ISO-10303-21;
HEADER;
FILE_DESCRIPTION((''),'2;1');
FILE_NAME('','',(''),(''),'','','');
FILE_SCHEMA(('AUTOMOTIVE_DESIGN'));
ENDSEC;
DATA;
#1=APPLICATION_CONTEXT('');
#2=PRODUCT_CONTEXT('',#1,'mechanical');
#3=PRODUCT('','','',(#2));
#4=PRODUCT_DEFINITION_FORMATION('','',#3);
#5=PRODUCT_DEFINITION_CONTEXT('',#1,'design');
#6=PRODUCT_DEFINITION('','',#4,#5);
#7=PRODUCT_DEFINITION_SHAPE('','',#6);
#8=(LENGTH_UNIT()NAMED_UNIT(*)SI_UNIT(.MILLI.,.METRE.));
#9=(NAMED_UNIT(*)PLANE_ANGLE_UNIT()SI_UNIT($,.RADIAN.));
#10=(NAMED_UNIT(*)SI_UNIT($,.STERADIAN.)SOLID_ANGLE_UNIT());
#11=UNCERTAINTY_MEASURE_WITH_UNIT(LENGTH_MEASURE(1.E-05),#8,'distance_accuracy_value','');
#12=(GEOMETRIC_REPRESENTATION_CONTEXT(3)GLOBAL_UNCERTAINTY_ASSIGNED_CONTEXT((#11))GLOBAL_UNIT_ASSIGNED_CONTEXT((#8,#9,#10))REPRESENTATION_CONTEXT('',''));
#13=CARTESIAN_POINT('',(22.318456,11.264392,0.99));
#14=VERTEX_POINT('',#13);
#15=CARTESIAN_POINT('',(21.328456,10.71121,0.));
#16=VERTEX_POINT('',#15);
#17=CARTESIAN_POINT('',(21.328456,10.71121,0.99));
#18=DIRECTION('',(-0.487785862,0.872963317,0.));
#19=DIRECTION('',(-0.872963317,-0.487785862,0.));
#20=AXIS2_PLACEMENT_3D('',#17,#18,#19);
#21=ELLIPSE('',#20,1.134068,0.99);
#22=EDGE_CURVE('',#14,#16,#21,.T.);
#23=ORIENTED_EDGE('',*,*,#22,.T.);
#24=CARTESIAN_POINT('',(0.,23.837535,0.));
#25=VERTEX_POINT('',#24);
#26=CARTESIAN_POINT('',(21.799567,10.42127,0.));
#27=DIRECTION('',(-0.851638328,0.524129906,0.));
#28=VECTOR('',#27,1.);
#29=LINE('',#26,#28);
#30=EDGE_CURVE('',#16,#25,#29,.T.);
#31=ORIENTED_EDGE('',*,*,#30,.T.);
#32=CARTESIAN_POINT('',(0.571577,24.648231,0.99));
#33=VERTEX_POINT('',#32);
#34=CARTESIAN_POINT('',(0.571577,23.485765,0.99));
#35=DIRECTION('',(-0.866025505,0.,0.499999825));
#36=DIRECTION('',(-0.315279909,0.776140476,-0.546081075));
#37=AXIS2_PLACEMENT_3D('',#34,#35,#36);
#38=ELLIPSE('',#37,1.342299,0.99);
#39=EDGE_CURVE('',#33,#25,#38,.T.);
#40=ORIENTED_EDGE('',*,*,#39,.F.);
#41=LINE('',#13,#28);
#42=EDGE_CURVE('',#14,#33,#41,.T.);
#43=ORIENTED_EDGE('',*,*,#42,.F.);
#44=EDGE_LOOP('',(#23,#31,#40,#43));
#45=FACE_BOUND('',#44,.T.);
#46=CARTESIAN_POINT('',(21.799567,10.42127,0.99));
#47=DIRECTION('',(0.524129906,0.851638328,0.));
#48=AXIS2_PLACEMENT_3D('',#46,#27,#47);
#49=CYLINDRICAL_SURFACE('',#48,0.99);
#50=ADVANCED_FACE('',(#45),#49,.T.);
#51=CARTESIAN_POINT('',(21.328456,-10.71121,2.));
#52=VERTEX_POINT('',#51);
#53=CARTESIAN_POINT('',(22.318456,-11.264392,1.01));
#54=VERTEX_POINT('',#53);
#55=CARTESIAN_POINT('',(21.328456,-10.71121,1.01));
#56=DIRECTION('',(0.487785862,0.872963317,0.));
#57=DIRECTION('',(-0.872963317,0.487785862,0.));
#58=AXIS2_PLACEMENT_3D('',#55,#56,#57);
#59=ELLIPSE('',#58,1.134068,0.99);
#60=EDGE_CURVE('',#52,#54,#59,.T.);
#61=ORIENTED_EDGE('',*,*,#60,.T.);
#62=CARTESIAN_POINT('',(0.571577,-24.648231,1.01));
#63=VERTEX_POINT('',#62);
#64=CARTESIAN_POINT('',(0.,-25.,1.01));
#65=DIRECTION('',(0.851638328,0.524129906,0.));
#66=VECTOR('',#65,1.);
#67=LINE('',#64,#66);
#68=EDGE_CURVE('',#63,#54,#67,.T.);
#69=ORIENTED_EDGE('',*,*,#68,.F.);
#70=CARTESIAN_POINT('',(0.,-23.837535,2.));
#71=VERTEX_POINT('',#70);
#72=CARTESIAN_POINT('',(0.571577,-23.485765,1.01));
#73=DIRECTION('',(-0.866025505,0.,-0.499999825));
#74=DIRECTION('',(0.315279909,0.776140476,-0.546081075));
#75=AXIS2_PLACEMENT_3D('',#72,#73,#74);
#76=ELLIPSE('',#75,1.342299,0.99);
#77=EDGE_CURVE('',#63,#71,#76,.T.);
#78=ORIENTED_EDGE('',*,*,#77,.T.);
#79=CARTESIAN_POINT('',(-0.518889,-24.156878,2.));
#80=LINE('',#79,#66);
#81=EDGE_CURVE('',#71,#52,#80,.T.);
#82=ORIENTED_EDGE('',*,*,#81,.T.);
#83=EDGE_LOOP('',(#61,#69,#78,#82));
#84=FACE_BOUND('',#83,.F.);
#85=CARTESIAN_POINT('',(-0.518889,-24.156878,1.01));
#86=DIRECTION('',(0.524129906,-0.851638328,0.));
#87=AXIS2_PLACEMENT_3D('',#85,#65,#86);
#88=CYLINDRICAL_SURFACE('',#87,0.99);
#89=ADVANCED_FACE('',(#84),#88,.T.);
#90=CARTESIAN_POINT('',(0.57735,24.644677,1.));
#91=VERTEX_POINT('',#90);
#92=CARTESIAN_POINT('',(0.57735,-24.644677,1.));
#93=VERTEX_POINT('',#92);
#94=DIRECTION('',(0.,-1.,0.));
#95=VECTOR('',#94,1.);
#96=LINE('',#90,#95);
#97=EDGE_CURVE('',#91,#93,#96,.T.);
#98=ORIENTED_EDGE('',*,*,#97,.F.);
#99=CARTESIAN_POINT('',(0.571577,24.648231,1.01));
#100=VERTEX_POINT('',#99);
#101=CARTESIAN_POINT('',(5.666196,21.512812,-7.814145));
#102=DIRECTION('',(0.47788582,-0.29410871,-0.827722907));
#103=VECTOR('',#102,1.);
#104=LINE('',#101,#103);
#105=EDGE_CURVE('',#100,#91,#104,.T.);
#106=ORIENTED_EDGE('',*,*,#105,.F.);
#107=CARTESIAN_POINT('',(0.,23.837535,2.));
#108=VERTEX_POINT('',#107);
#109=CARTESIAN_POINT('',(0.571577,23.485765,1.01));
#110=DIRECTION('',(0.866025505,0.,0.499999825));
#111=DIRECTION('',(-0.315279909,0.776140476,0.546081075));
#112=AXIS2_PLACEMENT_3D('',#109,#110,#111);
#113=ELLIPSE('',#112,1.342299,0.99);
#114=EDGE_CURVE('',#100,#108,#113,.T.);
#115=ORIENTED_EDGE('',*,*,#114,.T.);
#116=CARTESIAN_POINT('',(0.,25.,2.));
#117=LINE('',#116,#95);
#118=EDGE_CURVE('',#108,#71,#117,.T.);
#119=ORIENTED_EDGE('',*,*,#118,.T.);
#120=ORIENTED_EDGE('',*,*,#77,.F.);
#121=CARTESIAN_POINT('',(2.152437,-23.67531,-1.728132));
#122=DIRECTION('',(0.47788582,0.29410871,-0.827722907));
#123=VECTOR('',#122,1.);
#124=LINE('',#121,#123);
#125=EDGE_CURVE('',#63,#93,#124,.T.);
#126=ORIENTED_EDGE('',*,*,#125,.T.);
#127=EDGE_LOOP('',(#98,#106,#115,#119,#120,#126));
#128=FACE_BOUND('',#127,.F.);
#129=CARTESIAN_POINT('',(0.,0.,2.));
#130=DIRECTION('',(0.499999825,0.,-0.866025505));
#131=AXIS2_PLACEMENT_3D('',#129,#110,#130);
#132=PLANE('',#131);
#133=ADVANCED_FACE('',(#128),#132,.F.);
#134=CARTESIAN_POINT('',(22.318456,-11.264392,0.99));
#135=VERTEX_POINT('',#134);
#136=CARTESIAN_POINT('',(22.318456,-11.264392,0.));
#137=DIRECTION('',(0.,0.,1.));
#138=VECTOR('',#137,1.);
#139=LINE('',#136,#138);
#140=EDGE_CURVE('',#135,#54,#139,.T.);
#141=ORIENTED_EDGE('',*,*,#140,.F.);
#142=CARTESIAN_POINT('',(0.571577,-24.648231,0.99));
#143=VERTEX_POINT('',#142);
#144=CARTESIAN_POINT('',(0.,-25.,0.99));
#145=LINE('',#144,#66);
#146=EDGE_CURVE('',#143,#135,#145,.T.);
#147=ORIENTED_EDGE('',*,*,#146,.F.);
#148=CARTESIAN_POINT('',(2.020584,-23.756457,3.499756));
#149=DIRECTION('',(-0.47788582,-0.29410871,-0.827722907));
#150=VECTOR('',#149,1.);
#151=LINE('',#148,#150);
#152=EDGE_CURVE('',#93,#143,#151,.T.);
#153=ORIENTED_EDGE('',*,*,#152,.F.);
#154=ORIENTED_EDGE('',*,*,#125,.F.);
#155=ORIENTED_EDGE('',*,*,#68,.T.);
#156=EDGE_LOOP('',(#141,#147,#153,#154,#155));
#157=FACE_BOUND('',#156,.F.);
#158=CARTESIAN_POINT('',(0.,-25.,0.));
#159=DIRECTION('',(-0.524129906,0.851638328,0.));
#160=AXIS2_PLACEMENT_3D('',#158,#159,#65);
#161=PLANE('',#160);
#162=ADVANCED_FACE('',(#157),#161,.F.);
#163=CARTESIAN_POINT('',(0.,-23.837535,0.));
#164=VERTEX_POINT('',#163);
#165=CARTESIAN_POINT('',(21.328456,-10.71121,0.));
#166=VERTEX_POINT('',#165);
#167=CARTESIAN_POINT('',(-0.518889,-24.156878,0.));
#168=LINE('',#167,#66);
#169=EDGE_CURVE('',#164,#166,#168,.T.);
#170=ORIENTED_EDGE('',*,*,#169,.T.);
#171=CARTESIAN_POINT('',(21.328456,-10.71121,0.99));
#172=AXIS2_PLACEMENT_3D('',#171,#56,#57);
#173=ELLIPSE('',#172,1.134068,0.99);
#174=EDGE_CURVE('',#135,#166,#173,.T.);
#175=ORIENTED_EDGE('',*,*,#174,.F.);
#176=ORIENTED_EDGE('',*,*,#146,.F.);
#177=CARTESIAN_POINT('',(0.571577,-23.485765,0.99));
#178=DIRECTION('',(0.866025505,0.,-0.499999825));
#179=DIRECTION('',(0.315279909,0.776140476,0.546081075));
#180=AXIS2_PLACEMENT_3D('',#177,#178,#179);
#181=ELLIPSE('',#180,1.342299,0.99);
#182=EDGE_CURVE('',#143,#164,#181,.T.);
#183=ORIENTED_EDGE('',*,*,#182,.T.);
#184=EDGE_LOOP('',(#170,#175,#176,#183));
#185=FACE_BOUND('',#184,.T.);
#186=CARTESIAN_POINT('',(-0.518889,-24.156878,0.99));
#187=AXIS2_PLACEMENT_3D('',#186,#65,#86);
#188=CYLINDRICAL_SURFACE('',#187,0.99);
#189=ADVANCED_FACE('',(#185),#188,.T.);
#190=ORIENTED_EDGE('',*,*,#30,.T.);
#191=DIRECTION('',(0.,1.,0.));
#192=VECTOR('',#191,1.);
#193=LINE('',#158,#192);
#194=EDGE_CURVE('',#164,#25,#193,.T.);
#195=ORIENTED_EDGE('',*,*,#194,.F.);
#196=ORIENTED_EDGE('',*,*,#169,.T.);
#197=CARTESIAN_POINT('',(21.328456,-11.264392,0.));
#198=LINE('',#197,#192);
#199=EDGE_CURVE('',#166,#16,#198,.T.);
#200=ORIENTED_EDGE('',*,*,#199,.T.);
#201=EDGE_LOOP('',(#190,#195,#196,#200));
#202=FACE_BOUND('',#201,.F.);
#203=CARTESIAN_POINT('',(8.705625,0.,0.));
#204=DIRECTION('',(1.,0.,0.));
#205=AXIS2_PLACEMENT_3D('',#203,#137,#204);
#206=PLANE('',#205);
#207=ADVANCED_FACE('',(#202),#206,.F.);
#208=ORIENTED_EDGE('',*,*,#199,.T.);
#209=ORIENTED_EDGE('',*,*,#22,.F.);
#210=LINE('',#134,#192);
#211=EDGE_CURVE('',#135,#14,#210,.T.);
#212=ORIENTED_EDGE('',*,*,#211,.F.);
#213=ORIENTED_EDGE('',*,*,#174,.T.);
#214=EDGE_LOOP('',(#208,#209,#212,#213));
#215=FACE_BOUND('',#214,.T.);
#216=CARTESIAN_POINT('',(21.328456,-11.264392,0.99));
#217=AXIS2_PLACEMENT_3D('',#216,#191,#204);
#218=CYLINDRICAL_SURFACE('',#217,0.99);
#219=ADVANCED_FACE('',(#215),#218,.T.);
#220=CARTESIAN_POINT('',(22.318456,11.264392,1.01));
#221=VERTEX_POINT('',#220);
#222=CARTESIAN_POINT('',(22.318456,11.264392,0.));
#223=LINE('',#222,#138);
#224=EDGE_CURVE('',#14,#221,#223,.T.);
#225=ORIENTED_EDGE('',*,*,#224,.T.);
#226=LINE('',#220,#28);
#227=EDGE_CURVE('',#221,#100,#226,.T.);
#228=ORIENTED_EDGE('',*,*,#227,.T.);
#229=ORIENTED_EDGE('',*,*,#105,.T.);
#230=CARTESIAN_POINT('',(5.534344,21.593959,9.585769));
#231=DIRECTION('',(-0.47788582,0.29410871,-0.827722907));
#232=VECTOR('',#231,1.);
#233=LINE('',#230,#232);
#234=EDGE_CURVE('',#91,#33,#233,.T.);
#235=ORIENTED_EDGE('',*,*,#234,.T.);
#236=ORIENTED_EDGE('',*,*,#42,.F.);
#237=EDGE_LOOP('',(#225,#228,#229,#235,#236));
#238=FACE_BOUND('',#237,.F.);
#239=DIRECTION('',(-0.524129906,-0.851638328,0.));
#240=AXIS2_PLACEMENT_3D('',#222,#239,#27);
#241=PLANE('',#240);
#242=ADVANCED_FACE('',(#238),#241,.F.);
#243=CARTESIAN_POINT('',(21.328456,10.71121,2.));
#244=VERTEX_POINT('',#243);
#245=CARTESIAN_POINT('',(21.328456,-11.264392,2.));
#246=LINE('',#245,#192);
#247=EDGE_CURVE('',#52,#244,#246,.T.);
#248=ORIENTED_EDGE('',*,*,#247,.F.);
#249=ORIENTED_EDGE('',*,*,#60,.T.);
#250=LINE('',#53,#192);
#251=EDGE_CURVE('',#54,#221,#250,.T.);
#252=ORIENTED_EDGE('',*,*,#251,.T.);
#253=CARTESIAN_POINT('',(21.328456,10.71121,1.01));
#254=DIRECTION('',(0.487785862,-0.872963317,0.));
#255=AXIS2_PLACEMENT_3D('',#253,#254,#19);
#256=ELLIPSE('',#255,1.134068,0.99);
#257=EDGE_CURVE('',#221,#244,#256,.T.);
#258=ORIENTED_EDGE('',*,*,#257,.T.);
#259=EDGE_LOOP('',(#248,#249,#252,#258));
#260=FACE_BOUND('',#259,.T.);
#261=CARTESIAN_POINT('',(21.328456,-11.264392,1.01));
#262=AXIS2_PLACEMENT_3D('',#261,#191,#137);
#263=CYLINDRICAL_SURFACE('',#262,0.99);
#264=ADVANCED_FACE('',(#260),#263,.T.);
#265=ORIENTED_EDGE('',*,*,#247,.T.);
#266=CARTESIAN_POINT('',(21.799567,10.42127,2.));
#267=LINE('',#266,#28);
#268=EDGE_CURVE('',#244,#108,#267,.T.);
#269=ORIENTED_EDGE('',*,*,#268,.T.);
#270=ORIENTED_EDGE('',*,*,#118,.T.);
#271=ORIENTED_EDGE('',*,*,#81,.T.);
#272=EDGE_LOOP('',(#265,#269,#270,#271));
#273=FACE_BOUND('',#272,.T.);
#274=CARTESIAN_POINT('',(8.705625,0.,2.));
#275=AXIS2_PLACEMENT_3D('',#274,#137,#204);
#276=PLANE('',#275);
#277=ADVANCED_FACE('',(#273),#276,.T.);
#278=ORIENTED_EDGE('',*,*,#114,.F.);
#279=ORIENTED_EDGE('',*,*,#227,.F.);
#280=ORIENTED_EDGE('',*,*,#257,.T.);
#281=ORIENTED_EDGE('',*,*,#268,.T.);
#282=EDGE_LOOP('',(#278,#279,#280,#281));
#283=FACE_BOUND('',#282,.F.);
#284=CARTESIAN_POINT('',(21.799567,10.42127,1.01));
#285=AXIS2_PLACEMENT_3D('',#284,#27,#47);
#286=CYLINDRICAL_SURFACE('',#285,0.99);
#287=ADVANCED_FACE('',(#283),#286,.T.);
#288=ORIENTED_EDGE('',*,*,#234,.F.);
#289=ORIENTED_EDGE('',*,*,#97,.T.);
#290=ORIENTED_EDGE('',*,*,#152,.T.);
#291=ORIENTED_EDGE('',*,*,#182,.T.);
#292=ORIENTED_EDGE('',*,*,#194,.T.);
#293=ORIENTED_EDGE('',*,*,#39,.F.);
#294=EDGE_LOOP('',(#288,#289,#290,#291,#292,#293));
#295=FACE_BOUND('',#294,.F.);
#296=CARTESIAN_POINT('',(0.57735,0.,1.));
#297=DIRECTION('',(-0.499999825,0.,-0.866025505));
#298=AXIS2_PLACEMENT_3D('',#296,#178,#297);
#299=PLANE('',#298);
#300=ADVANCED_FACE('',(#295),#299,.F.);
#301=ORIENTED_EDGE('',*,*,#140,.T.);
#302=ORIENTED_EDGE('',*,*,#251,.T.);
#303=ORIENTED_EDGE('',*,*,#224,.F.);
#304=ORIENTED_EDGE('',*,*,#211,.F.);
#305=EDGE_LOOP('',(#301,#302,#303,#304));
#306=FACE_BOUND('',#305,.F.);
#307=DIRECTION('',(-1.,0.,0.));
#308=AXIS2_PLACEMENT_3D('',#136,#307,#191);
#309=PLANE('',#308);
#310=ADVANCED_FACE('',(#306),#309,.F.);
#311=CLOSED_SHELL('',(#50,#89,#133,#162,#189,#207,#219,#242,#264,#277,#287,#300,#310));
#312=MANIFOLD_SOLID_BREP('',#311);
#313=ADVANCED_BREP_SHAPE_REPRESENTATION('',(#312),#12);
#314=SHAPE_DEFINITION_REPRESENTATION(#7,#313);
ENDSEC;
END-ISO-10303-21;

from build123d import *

# Parameters (mm, degrees)
PAD_DEPTH         = 2
POCKET_DEPTH      = 25
POCKET_DEPTH_BACK = -25
FILLET_R          = 0.99


with BuildPart() as part:
    # Sketch → Pad (new body)
    with BuildSketch(Plane.XY):
        Polygon((0, -25), (22.318456, -11.264392), (22.318456, 11.264392), (0, 25), align=None)
    extrude(amount=PAD_DEPTH)

    # Sketch001 → Pocket (cut, two sides)
    with BuildSketch(Plane.XZ) as pocket_sk:
        Polygon((0, 2), (0.57735, 1), (0, 0), (-0.786644, 0.221257), (-0.914664, 1.821517), align=None)
    extrude(amount=-POCKET_DEPTH, mode=Mode.SUBTRACT)
    extrude(pocket_sk.sketch, amount=-POCKET_DEPTH_BACK, mode=Mode.SUBTRACT)

    # Fillet
    fillet_edges = [part.edges().sort_by_distance(p)[0] for p in [
        (11.159228, 18.132196, 0),
        (11.159228, 18.132196, 2),
        (22.318456, 0, 0),
        (11.159228, -18.132196, 0),
        (22.318456, 0, 2),
        (11.159228, -18.132196, 2),
    ]]
    fillet(fillet_edges, radius=FILLET_R)


solid = part.part
